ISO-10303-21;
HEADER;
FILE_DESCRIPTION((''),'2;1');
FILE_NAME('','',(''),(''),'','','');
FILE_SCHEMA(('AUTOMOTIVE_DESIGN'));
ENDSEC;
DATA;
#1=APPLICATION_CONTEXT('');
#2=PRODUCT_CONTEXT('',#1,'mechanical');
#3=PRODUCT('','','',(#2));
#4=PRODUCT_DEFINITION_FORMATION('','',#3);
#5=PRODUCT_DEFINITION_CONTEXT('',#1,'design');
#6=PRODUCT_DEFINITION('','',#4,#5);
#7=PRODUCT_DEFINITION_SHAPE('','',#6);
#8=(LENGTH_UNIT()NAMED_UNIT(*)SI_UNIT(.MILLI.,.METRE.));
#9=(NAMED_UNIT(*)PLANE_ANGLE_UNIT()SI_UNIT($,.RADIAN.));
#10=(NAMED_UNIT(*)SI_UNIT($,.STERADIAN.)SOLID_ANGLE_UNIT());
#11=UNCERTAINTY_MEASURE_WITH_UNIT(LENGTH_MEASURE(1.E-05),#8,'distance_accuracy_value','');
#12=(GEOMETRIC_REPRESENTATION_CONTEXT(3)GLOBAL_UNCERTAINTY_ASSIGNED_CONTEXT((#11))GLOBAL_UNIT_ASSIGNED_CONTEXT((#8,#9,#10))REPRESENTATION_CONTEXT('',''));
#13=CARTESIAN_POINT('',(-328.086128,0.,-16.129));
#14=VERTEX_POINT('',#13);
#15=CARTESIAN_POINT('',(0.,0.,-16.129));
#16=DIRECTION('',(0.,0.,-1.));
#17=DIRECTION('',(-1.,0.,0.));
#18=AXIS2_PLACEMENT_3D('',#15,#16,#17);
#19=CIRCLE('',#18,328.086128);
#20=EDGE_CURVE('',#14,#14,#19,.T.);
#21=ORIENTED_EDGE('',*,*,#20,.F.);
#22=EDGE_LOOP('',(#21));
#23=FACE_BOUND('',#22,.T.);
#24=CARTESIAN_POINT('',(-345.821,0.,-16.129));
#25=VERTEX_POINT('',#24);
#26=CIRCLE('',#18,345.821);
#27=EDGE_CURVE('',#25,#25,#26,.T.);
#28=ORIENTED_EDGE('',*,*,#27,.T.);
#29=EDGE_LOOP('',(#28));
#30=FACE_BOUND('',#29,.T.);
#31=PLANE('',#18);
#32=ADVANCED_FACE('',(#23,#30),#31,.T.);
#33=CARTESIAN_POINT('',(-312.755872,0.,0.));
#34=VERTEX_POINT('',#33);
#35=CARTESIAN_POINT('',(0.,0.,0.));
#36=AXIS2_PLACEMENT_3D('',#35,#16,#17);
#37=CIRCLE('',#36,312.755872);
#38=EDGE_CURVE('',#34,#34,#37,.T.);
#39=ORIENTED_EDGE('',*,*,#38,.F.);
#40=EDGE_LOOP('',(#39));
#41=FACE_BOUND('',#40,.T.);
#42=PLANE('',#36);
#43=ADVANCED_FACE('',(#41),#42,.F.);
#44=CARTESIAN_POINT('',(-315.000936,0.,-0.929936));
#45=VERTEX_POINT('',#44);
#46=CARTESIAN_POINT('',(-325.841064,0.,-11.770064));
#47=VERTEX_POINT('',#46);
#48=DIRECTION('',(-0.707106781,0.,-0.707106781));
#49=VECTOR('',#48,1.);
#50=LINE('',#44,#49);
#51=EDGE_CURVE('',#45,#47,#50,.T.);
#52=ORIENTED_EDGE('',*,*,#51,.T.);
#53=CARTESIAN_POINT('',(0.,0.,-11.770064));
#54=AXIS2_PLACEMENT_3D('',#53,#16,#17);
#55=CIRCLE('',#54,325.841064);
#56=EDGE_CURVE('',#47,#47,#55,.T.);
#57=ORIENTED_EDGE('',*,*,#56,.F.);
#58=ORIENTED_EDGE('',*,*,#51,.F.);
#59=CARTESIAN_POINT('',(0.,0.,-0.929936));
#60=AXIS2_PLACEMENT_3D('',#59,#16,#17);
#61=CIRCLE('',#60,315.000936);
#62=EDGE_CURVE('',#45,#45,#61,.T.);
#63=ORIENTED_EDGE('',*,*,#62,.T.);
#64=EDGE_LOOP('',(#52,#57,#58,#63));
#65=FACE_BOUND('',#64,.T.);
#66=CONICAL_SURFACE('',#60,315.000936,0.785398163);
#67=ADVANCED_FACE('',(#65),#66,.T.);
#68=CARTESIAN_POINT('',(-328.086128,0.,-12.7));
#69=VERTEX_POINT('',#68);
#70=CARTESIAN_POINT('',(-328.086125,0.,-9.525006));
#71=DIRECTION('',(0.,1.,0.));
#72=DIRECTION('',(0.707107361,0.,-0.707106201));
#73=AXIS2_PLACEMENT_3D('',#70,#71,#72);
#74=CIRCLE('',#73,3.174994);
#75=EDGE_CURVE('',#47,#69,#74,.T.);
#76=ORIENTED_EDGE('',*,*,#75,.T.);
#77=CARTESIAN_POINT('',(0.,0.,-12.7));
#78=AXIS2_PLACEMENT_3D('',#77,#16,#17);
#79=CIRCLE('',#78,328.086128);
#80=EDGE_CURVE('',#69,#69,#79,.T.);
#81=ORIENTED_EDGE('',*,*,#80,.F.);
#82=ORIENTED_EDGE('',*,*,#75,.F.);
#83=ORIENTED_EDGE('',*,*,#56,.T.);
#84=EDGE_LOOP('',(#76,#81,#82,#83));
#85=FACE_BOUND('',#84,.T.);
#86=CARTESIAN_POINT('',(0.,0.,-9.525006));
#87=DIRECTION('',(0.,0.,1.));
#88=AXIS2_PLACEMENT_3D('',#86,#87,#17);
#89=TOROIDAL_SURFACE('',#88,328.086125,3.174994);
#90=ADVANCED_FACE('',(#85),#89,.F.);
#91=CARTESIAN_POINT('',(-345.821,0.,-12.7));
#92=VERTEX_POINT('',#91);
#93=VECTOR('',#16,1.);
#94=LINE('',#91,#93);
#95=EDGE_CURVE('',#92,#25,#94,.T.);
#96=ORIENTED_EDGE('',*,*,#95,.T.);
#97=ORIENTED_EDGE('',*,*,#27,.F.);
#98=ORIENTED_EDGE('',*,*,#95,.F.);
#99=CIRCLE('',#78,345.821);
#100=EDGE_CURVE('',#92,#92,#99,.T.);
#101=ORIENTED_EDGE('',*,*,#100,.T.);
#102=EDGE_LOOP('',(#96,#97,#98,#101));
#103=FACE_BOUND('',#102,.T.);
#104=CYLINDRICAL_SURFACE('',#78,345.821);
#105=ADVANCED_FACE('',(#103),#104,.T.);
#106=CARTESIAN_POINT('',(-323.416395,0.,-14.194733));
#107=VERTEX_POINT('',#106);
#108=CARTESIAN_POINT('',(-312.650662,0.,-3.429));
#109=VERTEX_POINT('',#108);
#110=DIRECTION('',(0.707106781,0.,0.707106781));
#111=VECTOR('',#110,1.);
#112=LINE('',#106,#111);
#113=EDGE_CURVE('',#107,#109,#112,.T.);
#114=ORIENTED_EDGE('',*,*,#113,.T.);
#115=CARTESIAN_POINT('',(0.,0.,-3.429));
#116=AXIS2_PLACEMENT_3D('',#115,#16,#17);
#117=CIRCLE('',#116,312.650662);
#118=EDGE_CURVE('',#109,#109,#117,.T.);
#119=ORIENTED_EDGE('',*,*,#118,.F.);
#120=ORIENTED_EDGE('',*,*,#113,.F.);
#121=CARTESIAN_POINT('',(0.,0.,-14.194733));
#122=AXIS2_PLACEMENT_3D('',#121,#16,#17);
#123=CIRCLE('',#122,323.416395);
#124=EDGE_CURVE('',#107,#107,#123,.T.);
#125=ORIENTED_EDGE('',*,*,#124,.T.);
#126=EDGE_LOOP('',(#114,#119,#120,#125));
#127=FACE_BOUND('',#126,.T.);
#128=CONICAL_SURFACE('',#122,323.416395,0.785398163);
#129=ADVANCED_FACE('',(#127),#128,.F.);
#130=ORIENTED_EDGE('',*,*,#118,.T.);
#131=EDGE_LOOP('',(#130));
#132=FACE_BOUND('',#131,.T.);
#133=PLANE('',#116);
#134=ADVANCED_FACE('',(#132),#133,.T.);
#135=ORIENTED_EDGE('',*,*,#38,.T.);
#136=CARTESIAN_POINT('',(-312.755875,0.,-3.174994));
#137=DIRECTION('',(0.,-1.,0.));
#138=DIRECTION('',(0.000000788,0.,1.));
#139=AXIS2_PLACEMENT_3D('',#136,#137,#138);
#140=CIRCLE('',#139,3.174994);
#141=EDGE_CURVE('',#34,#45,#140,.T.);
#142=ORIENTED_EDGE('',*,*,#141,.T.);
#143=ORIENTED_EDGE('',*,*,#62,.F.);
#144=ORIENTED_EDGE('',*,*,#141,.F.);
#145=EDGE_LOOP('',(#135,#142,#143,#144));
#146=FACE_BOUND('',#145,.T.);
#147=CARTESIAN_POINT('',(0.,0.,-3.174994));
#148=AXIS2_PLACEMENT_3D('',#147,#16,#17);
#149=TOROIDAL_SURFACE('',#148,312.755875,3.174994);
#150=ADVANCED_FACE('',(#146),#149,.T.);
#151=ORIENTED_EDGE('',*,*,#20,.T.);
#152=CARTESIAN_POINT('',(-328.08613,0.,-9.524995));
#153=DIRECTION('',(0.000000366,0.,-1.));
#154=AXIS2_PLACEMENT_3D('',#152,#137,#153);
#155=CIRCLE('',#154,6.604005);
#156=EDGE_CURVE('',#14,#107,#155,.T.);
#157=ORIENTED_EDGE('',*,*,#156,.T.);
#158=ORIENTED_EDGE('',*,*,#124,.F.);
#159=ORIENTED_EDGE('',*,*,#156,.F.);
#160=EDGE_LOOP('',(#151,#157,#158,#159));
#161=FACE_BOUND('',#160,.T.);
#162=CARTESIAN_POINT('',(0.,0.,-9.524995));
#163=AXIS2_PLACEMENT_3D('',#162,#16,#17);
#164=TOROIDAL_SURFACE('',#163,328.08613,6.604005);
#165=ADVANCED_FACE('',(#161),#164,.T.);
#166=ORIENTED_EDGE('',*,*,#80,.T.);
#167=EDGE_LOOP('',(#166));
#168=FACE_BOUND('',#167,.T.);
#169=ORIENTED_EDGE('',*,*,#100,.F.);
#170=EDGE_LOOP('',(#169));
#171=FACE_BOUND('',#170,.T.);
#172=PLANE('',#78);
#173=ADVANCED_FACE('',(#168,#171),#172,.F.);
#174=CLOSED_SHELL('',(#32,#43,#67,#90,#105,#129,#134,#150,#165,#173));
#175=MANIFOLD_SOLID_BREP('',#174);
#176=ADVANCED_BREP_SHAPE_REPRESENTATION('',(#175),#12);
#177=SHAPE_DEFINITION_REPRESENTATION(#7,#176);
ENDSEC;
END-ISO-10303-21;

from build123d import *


with BuildPart() as f1:
    # F0 (on Front) → F1 (revolve)
    with BuildSketch(Plane.XZ):
        with BuildLine():
            Line((0, -3.429), (0, 0))
            Line((0, 0), (-312.755872, 0))
            ThreePointArc((-312.755872, 0), (-313.970892, -0.241682), (-315.000936, -0.929936))
            Line((-315.000936, -0.929936), (-325.841064, -11.770064))
            ThreePointArc((-325.841064, -11.770064), (-326.871108, -12.458318), (-328.086128, -12.7))
            Line((-328.086128, -12.7), (-345.821, -12.7))
            Line((-345.821, -12.7), (-345.821, -16.129))
            Line((-345.821, -16.129), (-328.086128, -16.129))
            ThreePointArc((-328.086128, -16.129), (-325.558887, -15.6263), (-323.416395, -14.194733))
            Line((-323.416395, -14.194733), (-312.650662, -3.429))
            Line((-312.650662, -3.429), (0, -3.429))
        make_face()
    revolve(axis=Axis((0, 0, -1.7145), (0, 0, -1)))


solid = f1.part
